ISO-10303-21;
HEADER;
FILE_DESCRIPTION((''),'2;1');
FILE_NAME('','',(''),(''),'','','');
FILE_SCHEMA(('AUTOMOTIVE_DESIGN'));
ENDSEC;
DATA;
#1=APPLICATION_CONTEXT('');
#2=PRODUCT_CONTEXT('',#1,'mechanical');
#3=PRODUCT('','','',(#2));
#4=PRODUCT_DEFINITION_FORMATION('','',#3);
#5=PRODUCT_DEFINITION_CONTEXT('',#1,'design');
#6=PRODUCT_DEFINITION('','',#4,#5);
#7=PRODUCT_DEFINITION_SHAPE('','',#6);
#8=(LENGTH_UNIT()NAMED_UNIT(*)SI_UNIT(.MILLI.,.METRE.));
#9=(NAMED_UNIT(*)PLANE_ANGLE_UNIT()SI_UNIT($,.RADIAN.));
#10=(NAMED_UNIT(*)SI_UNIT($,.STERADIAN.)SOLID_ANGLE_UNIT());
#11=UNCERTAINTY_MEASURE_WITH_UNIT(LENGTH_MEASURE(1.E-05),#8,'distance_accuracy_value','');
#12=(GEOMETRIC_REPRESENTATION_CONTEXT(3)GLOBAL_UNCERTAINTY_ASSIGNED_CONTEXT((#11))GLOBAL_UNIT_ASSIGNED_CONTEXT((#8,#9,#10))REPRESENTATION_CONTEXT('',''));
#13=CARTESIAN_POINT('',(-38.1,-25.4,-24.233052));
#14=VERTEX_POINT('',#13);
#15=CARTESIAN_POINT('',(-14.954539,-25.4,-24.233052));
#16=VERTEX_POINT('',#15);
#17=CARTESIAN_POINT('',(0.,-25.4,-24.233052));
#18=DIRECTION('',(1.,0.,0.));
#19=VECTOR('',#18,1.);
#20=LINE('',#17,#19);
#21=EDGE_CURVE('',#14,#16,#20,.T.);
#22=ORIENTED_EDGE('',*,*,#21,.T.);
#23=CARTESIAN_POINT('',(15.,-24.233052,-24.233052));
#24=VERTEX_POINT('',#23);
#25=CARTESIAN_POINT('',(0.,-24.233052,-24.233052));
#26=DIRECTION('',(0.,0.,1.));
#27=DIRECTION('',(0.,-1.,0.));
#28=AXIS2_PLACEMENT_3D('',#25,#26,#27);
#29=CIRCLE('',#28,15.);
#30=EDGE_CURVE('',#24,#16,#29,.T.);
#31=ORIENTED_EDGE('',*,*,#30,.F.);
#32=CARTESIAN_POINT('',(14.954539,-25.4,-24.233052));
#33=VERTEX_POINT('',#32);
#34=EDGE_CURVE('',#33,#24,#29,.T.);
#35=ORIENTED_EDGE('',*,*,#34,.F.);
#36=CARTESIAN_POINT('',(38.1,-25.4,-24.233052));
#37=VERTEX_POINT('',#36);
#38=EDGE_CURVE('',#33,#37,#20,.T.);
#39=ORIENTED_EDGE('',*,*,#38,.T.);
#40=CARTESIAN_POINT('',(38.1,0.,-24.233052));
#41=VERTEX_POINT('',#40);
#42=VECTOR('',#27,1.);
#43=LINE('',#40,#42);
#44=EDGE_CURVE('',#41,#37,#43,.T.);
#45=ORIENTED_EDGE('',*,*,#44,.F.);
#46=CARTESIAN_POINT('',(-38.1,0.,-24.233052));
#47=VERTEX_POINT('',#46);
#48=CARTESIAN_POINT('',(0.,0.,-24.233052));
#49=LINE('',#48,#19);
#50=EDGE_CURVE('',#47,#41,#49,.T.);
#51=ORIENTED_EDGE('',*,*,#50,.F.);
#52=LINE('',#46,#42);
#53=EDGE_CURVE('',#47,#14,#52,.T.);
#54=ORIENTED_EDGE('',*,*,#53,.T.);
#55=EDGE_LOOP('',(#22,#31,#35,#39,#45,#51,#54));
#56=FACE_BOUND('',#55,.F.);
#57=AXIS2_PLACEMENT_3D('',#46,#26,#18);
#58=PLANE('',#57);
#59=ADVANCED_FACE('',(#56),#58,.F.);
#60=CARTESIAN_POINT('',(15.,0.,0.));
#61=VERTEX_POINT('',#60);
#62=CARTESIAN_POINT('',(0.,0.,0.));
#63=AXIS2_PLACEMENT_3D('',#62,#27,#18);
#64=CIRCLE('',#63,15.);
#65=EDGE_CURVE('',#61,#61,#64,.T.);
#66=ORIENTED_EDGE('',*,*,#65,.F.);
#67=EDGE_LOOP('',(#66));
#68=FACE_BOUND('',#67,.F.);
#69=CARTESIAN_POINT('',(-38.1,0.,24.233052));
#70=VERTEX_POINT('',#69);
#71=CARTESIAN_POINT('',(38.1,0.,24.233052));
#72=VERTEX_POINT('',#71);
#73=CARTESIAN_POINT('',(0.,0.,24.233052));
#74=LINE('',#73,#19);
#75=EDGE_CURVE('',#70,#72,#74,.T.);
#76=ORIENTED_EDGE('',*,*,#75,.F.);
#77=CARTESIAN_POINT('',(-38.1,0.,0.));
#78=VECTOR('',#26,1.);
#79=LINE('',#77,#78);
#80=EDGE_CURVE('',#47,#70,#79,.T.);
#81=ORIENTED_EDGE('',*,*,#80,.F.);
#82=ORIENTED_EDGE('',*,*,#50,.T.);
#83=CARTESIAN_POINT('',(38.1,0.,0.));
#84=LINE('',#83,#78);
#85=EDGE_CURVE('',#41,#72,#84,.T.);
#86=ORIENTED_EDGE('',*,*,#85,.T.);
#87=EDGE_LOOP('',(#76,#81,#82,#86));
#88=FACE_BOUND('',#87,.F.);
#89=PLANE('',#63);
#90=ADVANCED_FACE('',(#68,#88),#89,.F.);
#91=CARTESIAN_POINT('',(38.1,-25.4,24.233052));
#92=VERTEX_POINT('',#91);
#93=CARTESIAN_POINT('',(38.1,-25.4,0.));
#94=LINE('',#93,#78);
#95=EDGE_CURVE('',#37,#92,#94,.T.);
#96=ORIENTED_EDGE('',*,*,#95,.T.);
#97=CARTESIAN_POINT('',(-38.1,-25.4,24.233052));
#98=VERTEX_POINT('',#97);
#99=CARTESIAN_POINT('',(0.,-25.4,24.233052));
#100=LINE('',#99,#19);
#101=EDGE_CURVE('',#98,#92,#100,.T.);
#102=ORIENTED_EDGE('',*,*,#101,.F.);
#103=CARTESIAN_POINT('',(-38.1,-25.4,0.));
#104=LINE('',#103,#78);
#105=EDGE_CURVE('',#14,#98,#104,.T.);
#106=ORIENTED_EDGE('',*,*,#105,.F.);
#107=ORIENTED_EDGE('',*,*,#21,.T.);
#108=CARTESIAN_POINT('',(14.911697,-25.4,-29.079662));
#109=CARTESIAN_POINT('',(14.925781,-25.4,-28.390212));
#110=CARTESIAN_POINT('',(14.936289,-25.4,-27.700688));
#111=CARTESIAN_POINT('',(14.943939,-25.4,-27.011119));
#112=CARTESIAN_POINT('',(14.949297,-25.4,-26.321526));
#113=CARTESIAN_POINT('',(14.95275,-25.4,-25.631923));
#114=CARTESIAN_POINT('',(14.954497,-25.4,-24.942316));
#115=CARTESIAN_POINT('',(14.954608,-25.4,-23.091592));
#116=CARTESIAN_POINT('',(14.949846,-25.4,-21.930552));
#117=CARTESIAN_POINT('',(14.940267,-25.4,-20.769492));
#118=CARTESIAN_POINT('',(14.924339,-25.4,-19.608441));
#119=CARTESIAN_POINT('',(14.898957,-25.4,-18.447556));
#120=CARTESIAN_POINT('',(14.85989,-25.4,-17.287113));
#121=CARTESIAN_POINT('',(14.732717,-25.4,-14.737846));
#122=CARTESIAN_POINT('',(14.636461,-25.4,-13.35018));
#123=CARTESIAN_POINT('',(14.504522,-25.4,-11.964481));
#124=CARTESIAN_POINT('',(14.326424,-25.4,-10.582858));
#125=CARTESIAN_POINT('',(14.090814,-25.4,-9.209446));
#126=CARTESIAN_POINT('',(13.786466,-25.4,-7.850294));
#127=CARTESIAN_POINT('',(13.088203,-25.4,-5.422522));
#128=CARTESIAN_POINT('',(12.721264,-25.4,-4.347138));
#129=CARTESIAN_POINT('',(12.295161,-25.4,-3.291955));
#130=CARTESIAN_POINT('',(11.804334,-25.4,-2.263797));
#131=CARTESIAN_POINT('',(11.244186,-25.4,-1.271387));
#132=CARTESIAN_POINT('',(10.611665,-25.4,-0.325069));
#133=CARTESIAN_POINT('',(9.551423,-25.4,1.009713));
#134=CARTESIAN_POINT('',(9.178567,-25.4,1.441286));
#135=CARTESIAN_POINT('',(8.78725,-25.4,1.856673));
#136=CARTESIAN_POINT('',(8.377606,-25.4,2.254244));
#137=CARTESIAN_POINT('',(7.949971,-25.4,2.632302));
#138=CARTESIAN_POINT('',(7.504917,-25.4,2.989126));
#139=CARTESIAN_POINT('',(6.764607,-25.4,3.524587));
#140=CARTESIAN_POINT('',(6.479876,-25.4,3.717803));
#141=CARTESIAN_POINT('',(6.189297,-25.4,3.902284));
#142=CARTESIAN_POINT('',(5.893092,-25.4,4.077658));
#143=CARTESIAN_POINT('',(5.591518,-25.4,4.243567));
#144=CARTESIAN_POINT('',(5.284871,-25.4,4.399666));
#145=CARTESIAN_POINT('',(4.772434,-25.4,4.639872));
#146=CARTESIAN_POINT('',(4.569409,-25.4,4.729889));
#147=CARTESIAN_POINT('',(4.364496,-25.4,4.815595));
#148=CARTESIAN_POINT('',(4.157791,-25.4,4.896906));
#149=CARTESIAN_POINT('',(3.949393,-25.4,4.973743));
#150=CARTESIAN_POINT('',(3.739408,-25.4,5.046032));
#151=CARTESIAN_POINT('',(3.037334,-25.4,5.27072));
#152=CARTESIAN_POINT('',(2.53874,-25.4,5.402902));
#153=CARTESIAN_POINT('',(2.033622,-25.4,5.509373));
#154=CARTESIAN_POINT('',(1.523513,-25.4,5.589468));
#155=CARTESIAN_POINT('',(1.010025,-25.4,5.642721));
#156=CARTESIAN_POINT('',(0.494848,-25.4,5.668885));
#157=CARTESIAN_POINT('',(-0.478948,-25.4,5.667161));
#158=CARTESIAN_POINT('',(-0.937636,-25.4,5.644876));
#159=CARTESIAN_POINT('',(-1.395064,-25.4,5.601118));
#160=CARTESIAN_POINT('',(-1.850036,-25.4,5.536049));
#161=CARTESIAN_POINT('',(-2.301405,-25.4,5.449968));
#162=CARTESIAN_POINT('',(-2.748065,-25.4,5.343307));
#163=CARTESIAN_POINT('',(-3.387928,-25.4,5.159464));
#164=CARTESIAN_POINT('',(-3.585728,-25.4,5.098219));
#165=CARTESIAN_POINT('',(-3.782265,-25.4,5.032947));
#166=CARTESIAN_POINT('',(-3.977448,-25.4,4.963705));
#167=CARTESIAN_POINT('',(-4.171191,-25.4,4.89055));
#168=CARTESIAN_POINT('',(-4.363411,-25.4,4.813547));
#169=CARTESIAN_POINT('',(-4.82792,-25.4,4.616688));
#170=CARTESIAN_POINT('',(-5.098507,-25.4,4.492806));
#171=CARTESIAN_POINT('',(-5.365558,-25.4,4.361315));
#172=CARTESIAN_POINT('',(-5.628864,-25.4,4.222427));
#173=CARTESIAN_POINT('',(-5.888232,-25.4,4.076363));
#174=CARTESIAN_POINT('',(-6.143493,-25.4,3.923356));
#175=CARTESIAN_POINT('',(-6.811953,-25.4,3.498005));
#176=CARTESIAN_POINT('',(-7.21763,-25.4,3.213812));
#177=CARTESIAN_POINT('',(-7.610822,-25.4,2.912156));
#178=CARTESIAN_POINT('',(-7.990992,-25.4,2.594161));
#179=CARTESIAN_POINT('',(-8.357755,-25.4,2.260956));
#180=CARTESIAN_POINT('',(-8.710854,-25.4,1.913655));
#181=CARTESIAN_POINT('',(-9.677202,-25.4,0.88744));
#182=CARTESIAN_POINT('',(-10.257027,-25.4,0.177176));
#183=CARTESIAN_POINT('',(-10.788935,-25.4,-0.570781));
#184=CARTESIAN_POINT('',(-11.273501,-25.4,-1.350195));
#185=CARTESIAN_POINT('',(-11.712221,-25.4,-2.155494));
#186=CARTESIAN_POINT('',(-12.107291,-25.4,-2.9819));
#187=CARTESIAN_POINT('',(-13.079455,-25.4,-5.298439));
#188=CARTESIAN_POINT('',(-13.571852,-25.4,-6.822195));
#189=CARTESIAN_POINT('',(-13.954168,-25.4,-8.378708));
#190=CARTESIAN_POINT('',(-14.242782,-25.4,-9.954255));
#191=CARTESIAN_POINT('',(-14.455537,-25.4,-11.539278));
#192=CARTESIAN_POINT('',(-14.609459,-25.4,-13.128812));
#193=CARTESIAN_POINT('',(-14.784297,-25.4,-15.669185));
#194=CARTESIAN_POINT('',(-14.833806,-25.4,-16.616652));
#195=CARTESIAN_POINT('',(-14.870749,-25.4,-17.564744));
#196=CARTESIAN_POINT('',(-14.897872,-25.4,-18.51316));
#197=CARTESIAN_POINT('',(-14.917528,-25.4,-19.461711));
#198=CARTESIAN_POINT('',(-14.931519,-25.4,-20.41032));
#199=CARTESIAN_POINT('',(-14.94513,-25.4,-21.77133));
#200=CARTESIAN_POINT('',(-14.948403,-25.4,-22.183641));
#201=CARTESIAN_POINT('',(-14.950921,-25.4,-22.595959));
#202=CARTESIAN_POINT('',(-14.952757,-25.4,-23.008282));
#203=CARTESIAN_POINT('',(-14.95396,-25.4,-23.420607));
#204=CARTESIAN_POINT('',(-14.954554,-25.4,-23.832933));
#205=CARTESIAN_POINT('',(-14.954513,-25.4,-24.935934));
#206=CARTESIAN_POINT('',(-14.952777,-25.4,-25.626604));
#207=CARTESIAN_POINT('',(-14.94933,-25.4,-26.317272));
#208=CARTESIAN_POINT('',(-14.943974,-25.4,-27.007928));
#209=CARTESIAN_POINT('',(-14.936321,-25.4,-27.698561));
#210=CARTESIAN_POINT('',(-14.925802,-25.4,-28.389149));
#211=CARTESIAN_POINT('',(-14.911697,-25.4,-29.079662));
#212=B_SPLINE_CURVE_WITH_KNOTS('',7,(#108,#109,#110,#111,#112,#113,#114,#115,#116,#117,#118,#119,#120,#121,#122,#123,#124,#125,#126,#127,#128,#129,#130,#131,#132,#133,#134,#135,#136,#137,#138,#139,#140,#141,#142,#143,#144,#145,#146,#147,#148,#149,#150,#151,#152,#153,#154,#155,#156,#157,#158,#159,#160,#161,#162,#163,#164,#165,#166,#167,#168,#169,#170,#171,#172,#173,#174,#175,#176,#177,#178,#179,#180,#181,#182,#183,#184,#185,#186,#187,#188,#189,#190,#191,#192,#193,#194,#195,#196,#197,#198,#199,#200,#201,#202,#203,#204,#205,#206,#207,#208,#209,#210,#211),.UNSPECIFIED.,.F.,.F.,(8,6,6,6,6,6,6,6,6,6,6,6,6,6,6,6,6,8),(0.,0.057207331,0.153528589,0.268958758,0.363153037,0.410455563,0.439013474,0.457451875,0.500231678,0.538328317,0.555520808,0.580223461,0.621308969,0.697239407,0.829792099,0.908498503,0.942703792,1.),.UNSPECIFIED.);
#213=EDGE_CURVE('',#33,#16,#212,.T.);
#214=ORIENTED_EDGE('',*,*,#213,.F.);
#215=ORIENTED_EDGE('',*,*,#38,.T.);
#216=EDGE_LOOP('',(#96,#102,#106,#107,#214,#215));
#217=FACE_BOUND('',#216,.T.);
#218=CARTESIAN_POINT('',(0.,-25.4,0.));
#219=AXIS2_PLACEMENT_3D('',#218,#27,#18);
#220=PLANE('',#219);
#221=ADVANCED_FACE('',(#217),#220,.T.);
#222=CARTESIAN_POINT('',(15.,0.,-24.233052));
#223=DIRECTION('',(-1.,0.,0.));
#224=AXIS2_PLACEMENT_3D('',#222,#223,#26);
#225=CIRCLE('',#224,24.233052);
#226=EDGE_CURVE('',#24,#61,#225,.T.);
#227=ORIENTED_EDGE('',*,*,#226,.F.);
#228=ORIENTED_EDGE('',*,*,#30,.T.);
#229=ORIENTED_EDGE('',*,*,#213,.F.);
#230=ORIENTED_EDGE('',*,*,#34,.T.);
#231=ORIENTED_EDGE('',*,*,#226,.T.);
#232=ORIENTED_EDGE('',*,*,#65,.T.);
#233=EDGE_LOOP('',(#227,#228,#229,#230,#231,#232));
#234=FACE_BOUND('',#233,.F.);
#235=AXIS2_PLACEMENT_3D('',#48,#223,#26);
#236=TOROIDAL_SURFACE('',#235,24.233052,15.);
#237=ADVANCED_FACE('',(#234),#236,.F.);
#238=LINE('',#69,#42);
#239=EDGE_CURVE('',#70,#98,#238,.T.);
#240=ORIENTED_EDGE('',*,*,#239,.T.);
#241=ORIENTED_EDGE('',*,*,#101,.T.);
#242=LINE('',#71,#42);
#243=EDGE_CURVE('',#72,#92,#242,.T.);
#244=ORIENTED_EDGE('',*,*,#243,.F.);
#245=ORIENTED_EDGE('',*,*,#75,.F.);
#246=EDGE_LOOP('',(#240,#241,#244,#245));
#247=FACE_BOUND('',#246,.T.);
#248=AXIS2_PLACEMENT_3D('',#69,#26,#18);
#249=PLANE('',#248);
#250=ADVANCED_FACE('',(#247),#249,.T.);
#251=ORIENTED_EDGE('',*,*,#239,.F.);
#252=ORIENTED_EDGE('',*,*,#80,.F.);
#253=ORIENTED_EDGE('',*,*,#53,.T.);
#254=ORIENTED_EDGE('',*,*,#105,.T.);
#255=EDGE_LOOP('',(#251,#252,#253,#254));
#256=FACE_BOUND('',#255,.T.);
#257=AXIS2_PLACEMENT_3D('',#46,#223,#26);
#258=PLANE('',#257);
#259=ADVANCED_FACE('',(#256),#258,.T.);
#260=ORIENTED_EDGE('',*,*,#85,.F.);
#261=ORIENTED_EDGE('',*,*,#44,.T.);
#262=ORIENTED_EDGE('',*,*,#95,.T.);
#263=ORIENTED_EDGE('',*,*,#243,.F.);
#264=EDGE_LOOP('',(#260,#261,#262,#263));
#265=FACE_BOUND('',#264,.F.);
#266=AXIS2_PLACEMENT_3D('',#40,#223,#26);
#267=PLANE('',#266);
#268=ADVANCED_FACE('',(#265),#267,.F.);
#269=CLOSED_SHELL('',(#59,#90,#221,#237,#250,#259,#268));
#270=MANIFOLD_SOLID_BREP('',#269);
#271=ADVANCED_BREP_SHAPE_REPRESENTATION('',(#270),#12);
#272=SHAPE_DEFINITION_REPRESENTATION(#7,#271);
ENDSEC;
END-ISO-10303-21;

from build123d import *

# Parameters (mm, degrees)
F0_W     = 76.2
F0_H     = 48.466104
F1_DEPTH = 25.4
F2_R     = 15


with BuildPart() as f1:
    # F0 (on Front) → F1 (new body)
    with BuildSketch(Plane.XZ):
        Rectangle(F0_W, F0_H)
    extrude(amount=F1_DEPTH)

    # F2 (on face) → F3 (revolve, cut)
    with BuildSketch(Plane.XZ):
        Circle(F2_R)
    revolve(axis=Axis((0, 0, -24.233052), (-1, 0, 0)), mode=Mode.SUBTRACT)


solid = f1.part
